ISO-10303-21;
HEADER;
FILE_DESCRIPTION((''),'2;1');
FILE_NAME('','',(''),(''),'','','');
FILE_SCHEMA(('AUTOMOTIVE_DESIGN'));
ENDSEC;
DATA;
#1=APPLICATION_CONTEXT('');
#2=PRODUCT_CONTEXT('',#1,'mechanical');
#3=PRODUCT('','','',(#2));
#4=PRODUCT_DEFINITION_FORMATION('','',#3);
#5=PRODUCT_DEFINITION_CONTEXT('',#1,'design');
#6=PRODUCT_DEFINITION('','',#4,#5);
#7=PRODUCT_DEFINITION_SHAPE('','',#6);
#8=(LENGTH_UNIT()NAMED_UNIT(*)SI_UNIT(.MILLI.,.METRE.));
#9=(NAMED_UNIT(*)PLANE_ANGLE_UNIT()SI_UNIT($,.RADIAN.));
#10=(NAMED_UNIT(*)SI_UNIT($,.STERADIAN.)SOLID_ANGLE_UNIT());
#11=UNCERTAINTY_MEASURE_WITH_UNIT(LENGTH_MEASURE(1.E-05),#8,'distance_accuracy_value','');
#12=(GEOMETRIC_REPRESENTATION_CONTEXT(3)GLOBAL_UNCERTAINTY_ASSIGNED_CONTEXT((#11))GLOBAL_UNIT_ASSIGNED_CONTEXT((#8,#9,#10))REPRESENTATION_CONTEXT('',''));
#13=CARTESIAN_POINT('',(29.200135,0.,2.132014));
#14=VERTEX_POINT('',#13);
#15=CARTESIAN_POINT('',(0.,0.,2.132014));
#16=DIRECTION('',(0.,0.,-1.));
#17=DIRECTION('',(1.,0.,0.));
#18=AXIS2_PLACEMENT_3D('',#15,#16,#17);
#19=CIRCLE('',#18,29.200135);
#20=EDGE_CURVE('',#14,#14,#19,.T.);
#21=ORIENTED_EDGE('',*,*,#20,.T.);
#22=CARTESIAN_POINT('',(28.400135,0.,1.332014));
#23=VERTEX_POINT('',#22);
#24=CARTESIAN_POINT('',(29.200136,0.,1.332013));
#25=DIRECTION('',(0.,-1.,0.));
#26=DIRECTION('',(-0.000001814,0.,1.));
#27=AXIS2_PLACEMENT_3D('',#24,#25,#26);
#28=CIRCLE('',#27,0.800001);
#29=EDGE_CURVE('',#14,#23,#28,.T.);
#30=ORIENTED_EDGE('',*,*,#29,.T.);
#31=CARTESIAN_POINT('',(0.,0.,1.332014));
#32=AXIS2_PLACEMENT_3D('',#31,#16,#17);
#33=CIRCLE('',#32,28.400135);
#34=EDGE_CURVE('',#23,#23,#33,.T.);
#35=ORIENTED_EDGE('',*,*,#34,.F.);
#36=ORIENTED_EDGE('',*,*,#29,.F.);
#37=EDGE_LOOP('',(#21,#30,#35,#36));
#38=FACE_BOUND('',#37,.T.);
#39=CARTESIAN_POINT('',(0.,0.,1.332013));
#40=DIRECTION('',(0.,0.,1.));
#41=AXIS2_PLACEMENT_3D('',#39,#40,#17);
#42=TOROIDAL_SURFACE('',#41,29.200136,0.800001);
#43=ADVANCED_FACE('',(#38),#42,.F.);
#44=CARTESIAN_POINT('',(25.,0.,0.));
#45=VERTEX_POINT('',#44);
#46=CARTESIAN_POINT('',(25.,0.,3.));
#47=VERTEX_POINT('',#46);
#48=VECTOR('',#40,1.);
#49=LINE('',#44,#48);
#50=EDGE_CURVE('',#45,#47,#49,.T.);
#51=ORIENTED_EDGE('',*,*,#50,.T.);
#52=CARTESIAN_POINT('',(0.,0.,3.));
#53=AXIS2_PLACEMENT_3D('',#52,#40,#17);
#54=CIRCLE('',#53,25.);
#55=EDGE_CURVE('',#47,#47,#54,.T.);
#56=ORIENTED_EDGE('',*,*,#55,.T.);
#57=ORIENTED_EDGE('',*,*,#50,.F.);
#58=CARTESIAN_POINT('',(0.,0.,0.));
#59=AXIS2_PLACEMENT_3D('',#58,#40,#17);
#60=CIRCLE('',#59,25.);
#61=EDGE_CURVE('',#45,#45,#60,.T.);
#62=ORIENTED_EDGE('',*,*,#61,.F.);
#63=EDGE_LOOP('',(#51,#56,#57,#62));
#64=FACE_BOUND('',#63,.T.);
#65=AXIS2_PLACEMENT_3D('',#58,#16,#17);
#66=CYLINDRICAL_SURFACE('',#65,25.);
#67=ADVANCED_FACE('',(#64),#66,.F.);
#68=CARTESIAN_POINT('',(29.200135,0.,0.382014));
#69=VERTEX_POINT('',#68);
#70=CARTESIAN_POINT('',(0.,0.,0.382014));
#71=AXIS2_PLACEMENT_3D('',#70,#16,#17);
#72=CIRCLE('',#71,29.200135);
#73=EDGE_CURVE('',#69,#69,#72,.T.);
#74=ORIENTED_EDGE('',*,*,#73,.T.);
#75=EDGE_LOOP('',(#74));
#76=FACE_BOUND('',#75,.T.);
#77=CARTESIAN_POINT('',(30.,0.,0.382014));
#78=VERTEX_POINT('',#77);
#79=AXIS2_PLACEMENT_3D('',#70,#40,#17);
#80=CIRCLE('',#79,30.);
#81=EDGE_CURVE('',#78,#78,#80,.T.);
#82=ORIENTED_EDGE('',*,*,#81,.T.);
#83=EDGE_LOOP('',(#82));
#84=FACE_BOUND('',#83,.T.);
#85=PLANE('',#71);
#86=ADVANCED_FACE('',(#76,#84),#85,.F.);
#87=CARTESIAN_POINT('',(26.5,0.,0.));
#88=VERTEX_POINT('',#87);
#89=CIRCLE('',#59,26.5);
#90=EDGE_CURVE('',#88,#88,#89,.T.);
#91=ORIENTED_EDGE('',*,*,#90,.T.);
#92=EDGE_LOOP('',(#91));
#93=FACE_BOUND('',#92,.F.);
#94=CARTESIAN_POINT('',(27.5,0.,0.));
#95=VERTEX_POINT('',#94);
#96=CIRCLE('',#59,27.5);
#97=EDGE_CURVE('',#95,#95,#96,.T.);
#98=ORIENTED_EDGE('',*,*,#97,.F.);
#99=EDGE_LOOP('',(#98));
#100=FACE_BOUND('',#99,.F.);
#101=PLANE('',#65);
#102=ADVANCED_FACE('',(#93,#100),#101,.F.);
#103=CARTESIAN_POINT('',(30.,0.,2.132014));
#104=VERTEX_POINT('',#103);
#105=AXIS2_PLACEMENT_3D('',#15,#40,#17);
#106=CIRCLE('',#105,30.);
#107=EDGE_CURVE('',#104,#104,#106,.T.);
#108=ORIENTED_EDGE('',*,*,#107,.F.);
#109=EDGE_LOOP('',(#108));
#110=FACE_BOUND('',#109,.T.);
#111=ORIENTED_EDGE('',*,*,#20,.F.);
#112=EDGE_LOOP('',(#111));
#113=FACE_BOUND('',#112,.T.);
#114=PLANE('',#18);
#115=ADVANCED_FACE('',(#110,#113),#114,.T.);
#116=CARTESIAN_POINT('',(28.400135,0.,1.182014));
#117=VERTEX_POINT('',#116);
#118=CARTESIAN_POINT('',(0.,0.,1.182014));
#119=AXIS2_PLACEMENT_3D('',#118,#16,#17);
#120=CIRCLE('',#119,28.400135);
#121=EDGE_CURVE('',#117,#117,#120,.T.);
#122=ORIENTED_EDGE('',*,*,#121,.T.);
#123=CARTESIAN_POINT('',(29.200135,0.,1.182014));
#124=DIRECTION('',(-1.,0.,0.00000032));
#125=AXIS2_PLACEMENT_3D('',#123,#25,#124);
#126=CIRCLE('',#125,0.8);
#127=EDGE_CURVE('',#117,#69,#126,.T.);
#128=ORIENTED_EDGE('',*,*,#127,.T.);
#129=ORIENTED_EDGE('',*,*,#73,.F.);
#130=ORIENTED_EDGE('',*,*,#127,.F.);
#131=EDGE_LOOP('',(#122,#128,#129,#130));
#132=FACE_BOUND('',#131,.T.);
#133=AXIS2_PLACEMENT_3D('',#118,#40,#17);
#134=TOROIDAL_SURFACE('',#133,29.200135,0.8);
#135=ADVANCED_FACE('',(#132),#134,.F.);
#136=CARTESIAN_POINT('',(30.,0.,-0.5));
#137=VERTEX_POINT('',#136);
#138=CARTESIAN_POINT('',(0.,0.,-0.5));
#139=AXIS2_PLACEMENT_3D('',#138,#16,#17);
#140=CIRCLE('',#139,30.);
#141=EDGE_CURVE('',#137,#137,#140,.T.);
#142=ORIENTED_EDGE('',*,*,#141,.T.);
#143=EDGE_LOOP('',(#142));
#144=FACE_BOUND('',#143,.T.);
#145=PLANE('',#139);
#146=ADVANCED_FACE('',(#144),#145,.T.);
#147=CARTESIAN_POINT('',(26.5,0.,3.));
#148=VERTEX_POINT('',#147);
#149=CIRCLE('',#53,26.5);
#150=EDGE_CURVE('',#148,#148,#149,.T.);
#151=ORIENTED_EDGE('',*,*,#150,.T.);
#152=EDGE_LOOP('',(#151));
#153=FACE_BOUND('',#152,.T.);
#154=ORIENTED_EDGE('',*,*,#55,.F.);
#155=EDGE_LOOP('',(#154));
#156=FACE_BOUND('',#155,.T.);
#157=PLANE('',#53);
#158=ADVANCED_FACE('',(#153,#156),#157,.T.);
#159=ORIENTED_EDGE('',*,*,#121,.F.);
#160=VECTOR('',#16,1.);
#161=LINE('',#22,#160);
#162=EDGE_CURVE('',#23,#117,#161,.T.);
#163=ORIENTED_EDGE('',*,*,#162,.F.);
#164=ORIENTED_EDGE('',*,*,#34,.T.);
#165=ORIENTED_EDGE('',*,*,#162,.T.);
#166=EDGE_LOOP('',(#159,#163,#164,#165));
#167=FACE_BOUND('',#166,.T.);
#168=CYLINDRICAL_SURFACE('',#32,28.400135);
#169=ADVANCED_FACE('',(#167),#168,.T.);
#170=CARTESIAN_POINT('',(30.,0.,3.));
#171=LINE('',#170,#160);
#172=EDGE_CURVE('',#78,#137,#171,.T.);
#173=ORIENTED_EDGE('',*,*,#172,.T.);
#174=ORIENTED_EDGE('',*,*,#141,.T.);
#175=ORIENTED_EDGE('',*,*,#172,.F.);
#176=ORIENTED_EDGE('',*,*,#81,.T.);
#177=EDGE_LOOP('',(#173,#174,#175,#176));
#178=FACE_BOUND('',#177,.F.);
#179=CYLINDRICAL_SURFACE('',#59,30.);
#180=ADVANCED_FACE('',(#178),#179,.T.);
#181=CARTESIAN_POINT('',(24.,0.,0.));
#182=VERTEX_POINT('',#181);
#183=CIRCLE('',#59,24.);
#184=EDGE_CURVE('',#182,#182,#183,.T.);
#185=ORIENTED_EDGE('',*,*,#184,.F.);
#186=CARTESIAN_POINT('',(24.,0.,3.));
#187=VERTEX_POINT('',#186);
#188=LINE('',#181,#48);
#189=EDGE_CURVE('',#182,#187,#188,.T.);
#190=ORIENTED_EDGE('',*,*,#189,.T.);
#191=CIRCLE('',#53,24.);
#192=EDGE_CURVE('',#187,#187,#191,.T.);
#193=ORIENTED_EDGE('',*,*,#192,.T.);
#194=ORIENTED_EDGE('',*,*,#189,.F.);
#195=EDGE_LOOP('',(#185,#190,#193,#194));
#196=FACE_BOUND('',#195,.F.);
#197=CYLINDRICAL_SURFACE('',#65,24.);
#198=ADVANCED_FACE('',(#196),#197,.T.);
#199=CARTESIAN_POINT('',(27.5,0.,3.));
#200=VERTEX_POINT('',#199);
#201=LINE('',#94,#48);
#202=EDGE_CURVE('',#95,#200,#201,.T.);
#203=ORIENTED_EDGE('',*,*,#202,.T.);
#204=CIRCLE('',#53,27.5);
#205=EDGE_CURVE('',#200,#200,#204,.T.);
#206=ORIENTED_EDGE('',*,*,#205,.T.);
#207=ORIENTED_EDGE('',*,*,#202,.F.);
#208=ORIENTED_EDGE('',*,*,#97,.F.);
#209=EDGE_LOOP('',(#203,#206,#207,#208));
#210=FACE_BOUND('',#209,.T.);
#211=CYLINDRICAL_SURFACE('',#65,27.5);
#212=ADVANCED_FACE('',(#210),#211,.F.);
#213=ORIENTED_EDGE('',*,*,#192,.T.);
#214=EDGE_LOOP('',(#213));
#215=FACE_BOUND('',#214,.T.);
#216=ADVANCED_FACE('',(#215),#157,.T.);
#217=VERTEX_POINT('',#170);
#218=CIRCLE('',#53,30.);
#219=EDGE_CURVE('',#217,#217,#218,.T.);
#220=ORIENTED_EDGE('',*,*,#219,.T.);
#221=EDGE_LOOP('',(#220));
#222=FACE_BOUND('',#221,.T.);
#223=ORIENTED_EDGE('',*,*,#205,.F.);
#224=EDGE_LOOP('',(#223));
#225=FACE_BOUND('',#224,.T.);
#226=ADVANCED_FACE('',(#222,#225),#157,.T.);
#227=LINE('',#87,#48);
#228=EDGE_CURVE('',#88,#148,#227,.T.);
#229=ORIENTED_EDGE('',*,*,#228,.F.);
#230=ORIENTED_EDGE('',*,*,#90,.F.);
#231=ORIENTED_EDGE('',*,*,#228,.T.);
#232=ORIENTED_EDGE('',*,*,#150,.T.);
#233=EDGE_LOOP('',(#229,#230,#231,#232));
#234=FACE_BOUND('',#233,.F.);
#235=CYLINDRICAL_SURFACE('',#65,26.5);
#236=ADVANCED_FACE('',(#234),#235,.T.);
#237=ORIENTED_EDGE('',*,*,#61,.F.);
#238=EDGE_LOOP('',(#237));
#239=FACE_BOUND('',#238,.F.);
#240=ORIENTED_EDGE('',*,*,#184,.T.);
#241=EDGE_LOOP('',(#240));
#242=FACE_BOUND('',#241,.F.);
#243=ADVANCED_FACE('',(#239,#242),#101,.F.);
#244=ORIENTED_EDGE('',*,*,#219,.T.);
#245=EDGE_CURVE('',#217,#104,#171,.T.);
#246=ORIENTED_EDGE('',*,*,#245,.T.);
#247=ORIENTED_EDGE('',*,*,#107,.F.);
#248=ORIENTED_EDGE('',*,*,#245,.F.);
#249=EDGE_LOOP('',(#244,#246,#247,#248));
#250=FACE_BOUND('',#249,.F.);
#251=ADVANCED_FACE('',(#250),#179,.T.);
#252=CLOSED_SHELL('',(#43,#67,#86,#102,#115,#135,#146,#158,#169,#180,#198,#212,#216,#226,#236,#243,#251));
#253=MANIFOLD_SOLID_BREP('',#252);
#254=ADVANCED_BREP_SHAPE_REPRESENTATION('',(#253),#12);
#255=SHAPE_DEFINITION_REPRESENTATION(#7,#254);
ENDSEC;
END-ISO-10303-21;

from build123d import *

# Parameters (mm, degrees)
F0_R     = 30
F0_R_2   = 27.5
F0_R_3   = 26.5
F0_R_4   = 25
F0_R_5   = 24
F1_DEPTH = 3
F2_R     = 30
F3_DEPTH = 0.5


with BuildPart() as f1:
    # F0 (on Top) → F1 (new body)
    with BuildSketch(Plane.XY):
        Circle(F0_R)
        Circle(F0_R_2, mode=Mode.SUBTRACT)
        Circle(F0_R_3)
        Circle(F0_R_4, mode=Mode.SUBTRACT)
        Circle(F0_R_5)
    extrude(amount=F1_DEPTH)

    # F2 (on face) → F3 (join)
    with BuildSketch(Plane(origin=(0, 0, 0), x_dir=(1, 0, 0), z_dir=(0, 0, -1))):
        Circle(F2_R)
    extrude(amount=F3_DEPTH)

    # F4 (on Front) → F5 (revolve, cut)
    with BuildSketch(Plane.XZ):
        with BuildLine():
            Line((29.200135, 0.382014), (30.000135, 0.382014))
            ThreePointArc((30.000135, 0.382014), (30.875135, 1.257014), (30.000135, 2.132014))
            Line((30.000135, 2.132014), (29.200135, 2.132014))
            ThreePointArc((29.200135, 2.132014), (28.63445, 1.897699), (28.400135, 1.332014))
            Line((28.400135, 1.332014), (28.400135, 1.182014))
            ThreePointArc((28.400135, 1.182014), (28.63445, 0.616328), (29.200135, 0.382014))
        make_face()
    revolve(axis=Axis((0, 0, 0), (0, 0, -1)), mode=Mode.SUBTRACT)


solid = f1.part
